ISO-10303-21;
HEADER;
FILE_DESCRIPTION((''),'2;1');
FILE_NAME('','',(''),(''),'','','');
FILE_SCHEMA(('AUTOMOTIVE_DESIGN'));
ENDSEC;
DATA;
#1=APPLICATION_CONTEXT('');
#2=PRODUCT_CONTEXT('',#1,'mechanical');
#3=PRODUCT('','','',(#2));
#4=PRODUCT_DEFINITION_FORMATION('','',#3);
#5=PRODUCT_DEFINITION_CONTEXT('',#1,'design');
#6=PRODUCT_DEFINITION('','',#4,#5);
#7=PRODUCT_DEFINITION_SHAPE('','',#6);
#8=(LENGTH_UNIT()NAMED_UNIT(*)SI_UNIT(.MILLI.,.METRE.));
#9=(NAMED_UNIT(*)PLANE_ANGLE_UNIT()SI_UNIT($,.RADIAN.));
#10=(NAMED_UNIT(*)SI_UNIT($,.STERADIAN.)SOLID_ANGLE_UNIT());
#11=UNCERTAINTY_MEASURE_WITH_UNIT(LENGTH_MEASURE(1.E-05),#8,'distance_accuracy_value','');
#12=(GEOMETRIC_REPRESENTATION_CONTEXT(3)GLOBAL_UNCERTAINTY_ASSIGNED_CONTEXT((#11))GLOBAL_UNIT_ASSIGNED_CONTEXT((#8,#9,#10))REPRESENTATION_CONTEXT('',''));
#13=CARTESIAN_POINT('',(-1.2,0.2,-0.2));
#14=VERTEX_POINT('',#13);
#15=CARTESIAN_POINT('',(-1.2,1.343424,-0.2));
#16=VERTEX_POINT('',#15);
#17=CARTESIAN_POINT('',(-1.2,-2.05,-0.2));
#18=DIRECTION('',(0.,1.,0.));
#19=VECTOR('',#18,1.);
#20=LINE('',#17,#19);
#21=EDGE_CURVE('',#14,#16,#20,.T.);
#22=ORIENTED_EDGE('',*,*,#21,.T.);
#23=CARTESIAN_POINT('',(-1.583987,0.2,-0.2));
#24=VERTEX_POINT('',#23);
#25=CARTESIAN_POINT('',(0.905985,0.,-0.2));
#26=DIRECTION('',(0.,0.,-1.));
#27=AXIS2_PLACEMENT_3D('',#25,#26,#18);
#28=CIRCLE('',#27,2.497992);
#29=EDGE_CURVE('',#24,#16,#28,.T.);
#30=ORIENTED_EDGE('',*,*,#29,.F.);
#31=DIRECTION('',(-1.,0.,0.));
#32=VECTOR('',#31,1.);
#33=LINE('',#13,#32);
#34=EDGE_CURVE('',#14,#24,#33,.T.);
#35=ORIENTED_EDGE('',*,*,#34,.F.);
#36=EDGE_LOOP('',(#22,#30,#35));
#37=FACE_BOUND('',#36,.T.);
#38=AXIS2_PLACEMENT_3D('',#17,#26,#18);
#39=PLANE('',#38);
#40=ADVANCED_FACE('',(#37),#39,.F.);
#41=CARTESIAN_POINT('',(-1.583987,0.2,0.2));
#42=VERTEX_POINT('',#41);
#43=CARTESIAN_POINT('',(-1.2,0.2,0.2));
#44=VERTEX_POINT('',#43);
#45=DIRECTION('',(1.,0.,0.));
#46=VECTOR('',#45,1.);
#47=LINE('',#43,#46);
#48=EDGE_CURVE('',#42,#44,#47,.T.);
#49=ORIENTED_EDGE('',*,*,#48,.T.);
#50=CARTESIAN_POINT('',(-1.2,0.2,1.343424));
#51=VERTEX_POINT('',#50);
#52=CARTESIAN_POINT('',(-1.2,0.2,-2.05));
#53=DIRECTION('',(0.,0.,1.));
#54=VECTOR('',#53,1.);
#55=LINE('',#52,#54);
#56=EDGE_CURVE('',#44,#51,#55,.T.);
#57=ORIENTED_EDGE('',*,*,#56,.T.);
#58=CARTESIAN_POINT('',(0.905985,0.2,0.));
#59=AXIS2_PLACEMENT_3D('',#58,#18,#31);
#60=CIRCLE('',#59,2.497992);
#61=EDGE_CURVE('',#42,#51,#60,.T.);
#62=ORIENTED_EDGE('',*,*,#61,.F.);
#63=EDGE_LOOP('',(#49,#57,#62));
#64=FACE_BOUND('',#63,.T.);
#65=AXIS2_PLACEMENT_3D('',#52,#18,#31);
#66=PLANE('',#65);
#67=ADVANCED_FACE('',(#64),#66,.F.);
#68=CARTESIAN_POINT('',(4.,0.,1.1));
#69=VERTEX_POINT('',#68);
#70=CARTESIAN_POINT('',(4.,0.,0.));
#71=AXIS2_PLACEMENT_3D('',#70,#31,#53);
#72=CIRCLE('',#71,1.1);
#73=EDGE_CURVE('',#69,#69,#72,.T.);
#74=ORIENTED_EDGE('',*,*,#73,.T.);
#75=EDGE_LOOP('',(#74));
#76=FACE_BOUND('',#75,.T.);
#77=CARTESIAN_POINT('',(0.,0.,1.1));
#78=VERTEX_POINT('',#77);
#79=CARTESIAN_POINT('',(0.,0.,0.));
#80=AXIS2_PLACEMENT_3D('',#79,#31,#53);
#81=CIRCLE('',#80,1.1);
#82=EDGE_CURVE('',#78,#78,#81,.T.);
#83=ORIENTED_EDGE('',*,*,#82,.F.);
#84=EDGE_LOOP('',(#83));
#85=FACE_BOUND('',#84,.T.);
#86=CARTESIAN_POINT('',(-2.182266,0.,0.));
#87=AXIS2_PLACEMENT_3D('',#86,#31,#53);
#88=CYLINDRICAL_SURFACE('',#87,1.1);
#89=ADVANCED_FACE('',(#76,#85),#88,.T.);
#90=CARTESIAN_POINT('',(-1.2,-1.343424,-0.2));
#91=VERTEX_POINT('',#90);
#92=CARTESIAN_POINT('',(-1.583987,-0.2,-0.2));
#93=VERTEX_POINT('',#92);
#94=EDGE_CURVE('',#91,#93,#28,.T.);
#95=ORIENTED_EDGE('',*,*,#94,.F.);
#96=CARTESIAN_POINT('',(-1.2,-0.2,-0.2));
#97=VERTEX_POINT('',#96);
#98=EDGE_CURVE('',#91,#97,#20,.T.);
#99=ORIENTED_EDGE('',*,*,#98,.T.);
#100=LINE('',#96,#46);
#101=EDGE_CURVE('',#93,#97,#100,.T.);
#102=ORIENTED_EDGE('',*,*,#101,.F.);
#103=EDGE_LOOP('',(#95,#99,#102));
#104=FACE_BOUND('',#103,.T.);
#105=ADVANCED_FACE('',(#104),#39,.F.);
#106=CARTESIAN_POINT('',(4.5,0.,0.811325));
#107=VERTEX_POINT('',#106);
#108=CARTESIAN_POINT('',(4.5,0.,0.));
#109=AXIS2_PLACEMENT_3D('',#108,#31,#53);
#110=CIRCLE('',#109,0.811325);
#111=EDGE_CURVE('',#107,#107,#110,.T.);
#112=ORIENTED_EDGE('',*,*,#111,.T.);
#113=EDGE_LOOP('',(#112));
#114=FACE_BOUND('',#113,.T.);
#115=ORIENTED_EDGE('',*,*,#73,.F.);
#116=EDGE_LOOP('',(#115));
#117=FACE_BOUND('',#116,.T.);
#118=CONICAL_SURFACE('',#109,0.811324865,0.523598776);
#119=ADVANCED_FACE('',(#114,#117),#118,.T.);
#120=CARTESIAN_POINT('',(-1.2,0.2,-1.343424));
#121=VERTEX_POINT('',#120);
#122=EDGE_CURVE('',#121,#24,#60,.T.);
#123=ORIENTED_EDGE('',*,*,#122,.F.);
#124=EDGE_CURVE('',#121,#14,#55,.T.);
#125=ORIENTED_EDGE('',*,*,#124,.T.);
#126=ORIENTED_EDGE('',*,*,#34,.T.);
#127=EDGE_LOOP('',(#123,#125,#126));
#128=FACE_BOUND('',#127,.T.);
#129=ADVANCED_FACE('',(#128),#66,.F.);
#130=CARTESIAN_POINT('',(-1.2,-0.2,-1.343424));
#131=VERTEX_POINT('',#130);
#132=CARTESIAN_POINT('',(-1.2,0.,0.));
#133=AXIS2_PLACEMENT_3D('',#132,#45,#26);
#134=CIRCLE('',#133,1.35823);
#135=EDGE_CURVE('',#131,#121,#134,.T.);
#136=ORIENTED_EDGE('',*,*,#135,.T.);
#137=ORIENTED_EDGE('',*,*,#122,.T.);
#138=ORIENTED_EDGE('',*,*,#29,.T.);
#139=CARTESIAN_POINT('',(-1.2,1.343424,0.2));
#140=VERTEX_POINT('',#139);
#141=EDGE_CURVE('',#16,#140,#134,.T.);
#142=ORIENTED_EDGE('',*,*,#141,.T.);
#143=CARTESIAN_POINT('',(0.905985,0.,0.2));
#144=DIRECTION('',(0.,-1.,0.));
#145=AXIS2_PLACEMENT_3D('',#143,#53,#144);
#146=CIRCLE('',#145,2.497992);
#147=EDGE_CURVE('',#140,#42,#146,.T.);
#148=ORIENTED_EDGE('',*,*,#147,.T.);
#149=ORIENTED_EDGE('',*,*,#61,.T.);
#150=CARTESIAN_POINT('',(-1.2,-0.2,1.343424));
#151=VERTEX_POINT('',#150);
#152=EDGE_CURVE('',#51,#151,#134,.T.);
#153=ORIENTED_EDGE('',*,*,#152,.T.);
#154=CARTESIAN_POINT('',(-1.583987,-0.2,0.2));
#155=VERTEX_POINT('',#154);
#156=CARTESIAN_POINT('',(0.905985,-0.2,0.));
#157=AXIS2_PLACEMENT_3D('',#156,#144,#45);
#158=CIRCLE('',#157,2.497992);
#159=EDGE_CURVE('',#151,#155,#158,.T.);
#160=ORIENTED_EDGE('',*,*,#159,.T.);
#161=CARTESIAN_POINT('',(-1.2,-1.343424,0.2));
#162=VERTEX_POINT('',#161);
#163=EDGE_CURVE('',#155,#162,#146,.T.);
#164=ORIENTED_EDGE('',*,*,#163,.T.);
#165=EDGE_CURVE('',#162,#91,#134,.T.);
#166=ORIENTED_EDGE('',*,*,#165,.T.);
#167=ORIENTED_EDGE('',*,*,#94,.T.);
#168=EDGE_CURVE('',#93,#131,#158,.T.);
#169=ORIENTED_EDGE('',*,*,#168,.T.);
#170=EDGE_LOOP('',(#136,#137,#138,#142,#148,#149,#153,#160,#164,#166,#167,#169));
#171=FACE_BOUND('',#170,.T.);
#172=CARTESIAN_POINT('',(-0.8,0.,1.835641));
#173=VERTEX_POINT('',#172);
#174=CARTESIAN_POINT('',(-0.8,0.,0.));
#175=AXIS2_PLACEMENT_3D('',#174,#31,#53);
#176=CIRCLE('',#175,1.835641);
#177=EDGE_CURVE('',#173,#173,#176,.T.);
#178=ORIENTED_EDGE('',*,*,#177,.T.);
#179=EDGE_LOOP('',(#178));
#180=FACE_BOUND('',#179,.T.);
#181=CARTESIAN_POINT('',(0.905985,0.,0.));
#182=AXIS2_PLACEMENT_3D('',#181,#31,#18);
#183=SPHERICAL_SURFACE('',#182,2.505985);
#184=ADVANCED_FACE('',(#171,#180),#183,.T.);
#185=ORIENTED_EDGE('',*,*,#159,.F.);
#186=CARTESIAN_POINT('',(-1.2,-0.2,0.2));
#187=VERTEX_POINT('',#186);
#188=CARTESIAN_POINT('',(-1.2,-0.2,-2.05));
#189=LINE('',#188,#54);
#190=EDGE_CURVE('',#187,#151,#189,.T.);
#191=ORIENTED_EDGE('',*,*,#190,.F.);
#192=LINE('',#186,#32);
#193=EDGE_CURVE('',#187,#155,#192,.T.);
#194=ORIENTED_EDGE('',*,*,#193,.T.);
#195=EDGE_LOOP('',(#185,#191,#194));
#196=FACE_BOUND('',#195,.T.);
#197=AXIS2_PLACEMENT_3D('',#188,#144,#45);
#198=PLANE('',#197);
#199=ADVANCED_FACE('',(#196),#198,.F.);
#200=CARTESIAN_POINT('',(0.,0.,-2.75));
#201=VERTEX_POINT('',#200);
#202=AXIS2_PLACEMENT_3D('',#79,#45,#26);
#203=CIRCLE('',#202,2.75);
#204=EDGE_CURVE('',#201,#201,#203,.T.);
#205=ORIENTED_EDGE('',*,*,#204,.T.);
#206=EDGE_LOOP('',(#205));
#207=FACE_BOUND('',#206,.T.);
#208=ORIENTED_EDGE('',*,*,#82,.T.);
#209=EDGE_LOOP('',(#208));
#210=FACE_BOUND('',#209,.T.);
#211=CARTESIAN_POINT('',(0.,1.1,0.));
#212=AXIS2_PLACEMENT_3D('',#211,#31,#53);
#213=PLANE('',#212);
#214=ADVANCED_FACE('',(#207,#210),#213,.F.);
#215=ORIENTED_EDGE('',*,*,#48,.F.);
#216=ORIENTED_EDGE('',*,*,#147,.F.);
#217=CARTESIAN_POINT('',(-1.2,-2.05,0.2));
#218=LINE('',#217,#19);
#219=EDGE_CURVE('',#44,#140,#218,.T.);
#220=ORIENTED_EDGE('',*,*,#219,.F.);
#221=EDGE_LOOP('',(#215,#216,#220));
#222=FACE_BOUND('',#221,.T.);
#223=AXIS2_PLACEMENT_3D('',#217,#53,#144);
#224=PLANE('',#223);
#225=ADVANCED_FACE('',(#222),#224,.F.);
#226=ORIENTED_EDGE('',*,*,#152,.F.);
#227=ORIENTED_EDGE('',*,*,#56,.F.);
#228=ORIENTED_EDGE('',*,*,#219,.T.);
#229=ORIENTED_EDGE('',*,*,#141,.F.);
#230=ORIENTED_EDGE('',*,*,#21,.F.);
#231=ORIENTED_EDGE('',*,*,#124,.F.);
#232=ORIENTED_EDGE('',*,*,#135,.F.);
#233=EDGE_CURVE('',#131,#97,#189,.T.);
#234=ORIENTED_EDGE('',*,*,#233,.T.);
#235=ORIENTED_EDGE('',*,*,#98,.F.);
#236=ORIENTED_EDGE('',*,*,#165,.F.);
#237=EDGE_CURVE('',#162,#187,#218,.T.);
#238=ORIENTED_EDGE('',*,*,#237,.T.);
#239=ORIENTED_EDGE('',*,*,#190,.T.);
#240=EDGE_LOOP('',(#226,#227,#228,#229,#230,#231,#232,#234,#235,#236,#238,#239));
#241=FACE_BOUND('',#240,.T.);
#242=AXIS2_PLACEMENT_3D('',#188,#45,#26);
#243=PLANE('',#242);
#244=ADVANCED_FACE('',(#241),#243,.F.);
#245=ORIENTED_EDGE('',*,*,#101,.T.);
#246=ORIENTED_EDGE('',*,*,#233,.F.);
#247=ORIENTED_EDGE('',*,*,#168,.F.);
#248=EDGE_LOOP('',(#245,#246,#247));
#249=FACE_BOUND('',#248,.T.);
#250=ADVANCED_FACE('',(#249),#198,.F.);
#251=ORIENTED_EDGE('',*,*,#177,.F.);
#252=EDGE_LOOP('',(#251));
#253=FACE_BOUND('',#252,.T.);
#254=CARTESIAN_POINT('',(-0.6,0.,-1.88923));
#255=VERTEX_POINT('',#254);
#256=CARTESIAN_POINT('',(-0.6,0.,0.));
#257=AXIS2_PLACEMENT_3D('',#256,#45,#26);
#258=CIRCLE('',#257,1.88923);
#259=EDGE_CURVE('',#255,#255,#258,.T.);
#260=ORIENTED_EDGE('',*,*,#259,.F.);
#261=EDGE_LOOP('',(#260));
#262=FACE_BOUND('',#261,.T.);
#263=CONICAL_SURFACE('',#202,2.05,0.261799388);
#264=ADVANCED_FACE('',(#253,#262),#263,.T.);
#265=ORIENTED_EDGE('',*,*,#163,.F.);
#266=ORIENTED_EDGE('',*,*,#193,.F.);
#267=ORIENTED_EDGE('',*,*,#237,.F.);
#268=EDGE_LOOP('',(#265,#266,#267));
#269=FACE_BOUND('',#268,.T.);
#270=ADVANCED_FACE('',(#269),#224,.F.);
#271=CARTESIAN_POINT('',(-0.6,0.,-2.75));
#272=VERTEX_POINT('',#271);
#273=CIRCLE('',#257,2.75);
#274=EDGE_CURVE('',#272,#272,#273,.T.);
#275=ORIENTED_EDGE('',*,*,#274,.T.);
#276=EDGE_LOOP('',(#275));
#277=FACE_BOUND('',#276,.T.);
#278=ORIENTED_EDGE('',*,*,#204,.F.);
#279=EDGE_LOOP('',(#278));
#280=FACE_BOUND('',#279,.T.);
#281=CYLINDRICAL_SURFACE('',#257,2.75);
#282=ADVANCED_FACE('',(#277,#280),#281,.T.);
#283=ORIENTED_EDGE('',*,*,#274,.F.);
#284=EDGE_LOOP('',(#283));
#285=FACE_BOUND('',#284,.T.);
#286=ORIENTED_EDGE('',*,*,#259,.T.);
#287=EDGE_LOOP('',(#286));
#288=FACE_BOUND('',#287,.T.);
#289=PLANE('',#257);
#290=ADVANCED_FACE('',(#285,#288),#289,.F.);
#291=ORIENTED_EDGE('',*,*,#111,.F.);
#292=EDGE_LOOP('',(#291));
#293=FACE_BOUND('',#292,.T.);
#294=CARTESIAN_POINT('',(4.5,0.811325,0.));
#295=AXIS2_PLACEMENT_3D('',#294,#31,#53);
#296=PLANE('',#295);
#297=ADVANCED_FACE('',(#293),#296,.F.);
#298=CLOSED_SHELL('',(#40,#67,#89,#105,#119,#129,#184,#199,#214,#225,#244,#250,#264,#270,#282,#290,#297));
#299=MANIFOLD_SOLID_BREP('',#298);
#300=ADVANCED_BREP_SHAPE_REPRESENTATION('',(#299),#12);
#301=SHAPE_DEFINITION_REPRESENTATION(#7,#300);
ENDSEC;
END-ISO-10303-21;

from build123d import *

# Parameters (mm, degrees)
ESQUISSE2_W                  = 0.4
ESQUISSE2_H                  = 0.4
ENL_V_MAT_EXTRU_1_DEPTH      = 6.353036521
R_P_TITION_CIRCULAIRE1_COUNT = 2
R_P_TITION_CIRCULAIRE1_ANGLE = 90
ESQUISSE3_R                  = 2.75
BOSS_EXTRU_1_DEPTH           = 0.6


with BuildPart() as part:
    # Esquisse1 → Révolution1 (revolve)
    with BuildSketch(Plane.XY, mode=Mode.PRIVATE) as r_volution1_sk:
        with BuildLine():
            Line((0, 1.1), (0, 2.05))
            Line((0, 2.05), (-0.8, 1.835640646))
            ThreePointArc((-0.8, 1.835640646), (-1.391310546, 1.001196357), (-1.6, 0))
            Line((-1.6, 0), (4.5, 0))
            Line((4.5, 0), (4.5, 0.811324865))
            Line((4.5, 0.811324865), (4, 1.1))
            Line((4, 1.1), (0, 1.1))
        make_face()
    revolve(r_volution1_sk.sketch.rotate(Axis((-2.182265798, 0, 0), (1, 0, 0)), 90), axis=Axis((-2.182265798, 0, 0), (1, 0, 0)))

    # Esquisse2 → Enlèv. mat.-Extru.1 (cut, symmetric)
    with BuildSketch(Plane.XY):
        with Locations((-1.4, 0)):
            Rectangle(ESQUISSE2_W, ESQUISSE2_H)
    enl_v_mat_extru_1 = extrude(amount=ENL_V_MAT_EXTRU_1_DEPTH, both=True, mode=Mode.SUBTRACT)

    # Répétition circulaire1: Enlèv. mat.-Extru.1 ×2 about axis
    r_p_tition_circulaire1_axis = Axis((-2.182265798, 0, 0), (-1, 0, 0))
    for i in range(1, R_P_TITION_CIRCULAIRE1_COUNT):
        add(enl_v_mat_extru_1.rotate(r_p_tition_circulaire1_axis, i * R_P_TITION_CIRCULAIRE1_ANGLE / (R_P_TITION_CIRCULAIRE1_COUNT - 1)), mode=Mode.SUBTRACT)

    # Esquisse3 → Boss.-Extru.1 (add)
    with BuildSketch(Plane(origin=(0, 0, 0), x_dir=(0, 0, -1), z_dir=(1, 0, 0))):
        Circle(ESQUISSE3_R)
    extrude(amount=-BOSS_EXTRU_1_DEPTH)


solid = part.part
